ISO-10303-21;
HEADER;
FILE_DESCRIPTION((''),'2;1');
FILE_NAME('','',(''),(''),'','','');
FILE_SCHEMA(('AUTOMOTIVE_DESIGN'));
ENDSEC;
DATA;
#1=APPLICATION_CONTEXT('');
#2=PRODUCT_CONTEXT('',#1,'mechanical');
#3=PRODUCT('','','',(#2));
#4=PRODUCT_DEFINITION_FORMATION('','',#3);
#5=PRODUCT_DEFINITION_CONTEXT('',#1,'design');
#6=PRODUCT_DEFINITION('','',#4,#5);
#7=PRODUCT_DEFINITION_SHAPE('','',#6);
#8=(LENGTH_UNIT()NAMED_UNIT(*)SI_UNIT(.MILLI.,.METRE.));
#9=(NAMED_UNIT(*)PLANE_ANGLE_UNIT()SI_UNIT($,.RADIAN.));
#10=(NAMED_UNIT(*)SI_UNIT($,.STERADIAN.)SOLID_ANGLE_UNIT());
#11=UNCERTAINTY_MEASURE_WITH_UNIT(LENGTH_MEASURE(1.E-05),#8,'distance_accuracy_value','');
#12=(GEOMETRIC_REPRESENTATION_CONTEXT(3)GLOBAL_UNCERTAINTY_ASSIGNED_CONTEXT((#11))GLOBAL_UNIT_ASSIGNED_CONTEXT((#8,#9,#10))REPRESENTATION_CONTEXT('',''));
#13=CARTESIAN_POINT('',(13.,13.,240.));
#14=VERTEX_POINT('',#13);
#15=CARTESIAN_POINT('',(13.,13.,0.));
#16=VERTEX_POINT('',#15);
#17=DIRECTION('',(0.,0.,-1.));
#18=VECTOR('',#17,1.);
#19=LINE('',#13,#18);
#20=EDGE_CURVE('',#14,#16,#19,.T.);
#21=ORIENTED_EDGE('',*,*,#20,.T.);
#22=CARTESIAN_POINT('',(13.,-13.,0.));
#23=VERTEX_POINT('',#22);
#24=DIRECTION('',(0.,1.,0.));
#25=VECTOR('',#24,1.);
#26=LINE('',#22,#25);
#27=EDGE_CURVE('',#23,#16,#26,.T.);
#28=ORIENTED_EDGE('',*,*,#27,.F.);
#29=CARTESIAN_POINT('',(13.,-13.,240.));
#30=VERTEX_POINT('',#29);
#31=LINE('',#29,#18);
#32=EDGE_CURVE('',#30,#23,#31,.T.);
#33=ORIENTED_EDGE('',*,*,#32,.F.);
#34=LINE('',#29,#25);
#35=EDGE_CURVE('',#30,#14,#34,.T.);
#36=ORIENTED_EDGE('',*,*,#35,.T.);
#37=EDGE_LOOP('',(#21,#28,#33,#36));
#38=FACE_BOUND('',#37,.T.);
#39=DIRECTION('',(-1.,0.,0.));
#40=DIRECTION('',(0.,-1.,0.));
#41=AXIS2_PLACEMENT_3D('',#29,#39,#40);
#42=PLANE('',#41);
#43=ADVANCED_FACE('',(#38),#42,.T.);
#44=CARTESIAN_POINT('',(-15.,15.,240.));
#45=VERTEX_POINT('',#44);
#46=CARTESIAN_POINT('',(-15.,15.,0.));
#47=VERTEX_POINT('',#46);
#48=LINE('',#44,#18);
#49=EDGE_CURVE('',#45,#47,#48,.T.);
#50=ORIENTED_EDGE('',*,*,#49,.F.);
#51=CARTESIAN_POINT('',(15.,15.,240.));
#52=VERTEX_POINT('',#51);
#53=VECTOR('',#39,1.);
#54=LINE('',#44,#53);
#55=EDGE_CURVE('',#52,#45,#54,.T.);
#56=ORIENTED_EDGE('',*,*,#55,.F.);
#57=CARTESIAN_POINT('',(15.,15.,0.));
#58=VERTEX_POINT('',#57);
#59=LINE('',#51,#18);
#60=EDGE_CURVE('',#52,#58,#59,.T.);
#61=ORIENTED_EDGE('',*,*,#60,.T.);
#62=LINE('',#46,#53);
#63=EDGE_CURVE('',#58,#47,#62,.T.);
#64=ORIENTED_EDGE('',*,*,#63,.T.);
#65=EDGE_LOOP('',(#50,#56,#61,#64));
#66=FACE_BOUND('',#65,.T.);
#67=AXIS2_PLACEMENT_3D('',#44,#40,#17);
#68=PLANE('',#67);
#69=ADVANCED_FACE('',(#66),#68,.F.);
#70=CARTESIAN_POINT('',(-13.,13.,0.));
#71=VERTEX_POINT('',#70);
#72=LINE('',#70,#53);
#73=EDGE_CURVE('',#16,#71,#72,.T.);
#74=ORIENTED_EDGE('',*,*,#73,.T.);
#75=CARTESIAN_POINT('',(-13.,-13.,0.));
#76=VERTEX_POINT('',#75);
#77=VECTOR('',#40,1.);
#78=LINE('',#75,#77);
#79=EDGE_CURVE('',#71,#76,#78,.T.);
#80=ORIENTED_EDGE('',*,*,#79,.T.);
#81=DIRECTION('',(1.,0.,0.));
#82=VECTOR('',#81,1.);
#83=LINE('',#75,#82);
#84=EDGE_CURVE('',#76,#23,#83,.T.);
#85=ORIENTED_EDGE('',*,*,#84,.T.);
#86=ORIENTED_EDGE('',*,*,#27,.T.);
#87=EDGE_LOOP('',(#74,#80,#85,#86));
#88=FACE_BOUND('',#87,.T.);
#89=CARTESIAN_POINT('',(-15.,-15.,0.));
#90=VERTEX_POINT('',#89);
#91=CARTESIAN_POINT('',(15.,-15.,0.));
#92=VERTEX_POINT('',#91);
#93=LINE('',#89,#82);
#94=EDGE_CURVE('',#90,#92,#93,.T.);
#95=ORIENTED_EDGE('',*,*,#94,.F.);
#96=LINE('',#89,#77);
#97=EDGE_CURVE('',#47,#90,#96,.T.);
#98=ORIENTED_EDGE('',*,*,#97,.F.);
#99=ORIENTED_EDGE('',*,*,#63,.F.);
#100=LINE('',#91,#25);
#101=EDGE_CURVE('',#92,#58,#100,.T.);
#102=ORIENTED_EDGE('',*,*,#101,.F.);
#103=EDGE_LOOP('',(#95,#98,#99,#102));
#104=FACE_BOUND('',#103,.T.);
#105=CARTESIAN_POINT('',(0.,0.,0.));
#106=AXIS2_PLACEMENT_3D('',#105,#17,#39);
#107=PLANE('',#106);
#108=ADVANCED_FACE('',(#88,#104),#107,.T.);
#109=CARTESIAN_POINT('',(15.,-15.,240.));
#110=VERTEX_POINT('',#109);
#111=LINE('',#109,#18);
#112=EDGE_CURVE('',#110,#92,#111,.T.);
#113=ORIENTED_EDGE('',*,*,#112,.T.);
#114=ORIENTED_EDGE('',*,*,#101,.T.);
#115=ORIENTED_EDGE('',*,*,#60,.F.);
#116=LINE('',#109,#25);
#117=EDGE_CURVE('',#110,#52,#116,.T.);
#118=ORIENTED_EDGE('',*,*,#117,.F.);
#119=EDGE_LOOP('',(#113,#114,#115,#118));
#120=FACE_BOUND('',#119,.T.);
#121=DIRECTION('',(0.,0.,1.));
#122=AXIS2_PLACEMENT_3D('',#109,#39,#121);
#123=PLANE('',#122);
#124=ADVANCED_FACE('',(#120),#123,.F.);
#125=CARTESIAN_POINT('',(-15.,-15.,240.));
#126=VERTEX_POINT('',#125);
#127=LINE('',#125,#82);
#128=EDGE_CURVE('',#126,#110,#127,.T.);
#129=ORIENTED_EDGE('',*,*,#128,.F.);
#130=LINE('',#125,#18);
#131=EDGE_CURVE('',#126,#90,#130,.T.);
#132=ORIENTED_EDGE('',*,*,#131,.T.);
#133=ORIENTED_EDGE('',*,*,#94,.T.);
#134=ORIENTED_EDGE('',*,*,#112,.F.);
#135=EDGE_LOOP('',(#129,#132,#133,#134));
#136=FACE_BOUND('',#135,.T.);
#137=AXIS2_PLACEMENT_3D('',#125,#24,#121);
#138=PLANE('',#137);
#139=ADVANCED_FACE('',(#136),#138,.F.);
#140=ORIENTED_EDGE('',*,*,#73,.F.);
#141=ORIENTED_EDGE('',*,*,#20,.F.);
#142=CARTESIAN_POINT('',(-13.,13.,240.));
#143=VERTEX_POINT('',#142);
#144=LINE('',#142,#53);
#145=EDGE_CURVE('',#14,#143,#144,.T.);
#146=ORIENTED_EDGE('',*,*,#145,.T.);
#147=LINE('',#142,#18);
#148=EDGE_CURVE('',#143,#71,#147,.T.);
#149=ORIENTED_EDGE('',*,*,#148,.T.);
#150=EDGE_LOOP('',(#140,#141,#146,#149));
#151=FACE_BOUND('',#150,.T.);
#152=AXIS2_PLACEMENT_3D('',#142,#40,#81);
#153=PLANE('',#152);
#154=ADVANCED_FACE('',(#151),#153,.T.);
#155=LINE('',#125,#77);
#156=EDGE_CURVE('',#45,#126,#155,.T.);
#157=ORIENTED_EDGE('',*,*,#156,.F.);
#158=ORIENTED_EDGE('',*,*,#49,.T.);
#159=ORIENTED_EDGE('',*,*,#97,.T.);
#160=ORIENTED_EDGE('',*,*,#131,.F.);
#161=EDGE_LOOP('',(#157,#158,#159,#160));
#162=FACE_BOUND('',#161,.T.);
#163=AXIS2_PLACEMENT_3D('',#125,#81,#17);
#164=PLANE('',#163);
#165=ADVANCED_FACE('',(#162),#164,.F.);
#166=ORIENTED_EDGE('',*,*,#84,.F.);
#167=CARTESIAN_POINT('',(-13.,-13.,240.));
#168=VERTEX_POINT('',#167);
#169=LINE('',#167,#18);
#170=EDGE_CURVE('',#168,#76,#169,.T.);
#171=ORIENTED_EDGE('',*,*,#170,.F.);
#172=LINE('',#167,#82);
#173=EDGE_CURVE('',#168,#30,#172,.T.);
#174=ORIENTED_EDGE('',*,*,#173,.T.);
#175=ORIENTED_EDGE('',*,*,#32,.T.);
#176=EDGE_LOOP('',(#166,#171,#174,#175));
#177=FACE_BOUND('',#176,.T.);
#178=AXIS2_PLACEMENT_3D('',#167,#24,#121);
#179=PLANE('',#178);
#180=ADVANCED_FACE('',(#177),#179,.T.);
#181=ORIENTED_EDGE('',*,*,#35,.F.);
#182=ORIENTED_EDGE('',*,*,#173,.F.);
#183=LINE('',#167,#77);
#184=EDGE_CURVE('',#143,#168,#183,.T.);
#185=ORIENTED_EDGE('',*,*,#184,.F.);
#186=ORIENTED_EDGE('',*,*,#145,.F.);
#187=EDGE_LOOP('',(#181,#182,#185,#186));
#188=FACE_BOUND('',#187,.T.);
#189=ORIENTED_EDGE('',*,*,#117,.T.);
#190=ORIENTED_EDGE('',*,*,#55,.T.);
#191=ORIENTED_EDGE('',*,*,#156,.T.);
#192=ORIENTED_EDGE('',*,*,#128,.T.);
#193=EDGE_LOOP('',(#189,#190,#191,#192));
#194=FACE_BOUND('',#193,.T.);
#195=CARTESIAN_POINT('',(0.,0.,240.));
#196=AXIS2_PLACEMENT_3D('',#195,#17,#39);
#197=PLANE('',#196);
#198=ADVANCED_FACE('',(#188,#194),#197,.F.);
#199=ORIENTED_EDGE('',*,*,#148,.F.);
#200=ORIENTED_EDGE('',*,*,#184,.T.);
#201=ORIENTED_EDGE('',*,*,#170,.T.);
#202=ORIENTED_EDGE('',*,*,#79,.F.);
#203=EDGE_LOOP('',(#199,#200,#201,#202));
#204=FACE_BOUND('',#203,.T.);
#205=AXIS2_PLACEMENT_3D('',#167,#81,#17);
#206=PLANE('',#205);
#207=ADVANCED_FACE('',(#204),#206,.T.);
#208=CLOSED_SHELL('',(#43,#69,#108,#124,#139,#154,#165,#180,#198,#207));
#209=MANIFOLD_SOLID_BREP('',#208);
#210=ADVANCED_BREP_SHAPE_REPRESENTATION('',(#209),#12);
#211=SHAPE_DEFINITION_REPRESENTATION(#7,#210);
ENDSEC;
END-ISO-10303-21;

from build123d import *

# Parameters (mm, degrees)
SKETCH1_W           = 30
SKETCH1_H           = 30
SKETCH1_W_2         = 26
SKETCH1_H_2         = 26
BOSS_EXTRUDE1_DEPTH = 240


with BuildPart() as part:
    # Sketch1 → Boss-Extrude1 (new body)
    with BuildSketch(Plane.XY):
        Rectangle(SKETCH1_W, SKETCH1_H)
        Rectangle(SKETCH1_W_2, SKETCH1_H_2, mode=Mode.SUBTRACT)
    extrude(amount=BOSS_EXTRUDE1_DEPTH)


solid = part.part
